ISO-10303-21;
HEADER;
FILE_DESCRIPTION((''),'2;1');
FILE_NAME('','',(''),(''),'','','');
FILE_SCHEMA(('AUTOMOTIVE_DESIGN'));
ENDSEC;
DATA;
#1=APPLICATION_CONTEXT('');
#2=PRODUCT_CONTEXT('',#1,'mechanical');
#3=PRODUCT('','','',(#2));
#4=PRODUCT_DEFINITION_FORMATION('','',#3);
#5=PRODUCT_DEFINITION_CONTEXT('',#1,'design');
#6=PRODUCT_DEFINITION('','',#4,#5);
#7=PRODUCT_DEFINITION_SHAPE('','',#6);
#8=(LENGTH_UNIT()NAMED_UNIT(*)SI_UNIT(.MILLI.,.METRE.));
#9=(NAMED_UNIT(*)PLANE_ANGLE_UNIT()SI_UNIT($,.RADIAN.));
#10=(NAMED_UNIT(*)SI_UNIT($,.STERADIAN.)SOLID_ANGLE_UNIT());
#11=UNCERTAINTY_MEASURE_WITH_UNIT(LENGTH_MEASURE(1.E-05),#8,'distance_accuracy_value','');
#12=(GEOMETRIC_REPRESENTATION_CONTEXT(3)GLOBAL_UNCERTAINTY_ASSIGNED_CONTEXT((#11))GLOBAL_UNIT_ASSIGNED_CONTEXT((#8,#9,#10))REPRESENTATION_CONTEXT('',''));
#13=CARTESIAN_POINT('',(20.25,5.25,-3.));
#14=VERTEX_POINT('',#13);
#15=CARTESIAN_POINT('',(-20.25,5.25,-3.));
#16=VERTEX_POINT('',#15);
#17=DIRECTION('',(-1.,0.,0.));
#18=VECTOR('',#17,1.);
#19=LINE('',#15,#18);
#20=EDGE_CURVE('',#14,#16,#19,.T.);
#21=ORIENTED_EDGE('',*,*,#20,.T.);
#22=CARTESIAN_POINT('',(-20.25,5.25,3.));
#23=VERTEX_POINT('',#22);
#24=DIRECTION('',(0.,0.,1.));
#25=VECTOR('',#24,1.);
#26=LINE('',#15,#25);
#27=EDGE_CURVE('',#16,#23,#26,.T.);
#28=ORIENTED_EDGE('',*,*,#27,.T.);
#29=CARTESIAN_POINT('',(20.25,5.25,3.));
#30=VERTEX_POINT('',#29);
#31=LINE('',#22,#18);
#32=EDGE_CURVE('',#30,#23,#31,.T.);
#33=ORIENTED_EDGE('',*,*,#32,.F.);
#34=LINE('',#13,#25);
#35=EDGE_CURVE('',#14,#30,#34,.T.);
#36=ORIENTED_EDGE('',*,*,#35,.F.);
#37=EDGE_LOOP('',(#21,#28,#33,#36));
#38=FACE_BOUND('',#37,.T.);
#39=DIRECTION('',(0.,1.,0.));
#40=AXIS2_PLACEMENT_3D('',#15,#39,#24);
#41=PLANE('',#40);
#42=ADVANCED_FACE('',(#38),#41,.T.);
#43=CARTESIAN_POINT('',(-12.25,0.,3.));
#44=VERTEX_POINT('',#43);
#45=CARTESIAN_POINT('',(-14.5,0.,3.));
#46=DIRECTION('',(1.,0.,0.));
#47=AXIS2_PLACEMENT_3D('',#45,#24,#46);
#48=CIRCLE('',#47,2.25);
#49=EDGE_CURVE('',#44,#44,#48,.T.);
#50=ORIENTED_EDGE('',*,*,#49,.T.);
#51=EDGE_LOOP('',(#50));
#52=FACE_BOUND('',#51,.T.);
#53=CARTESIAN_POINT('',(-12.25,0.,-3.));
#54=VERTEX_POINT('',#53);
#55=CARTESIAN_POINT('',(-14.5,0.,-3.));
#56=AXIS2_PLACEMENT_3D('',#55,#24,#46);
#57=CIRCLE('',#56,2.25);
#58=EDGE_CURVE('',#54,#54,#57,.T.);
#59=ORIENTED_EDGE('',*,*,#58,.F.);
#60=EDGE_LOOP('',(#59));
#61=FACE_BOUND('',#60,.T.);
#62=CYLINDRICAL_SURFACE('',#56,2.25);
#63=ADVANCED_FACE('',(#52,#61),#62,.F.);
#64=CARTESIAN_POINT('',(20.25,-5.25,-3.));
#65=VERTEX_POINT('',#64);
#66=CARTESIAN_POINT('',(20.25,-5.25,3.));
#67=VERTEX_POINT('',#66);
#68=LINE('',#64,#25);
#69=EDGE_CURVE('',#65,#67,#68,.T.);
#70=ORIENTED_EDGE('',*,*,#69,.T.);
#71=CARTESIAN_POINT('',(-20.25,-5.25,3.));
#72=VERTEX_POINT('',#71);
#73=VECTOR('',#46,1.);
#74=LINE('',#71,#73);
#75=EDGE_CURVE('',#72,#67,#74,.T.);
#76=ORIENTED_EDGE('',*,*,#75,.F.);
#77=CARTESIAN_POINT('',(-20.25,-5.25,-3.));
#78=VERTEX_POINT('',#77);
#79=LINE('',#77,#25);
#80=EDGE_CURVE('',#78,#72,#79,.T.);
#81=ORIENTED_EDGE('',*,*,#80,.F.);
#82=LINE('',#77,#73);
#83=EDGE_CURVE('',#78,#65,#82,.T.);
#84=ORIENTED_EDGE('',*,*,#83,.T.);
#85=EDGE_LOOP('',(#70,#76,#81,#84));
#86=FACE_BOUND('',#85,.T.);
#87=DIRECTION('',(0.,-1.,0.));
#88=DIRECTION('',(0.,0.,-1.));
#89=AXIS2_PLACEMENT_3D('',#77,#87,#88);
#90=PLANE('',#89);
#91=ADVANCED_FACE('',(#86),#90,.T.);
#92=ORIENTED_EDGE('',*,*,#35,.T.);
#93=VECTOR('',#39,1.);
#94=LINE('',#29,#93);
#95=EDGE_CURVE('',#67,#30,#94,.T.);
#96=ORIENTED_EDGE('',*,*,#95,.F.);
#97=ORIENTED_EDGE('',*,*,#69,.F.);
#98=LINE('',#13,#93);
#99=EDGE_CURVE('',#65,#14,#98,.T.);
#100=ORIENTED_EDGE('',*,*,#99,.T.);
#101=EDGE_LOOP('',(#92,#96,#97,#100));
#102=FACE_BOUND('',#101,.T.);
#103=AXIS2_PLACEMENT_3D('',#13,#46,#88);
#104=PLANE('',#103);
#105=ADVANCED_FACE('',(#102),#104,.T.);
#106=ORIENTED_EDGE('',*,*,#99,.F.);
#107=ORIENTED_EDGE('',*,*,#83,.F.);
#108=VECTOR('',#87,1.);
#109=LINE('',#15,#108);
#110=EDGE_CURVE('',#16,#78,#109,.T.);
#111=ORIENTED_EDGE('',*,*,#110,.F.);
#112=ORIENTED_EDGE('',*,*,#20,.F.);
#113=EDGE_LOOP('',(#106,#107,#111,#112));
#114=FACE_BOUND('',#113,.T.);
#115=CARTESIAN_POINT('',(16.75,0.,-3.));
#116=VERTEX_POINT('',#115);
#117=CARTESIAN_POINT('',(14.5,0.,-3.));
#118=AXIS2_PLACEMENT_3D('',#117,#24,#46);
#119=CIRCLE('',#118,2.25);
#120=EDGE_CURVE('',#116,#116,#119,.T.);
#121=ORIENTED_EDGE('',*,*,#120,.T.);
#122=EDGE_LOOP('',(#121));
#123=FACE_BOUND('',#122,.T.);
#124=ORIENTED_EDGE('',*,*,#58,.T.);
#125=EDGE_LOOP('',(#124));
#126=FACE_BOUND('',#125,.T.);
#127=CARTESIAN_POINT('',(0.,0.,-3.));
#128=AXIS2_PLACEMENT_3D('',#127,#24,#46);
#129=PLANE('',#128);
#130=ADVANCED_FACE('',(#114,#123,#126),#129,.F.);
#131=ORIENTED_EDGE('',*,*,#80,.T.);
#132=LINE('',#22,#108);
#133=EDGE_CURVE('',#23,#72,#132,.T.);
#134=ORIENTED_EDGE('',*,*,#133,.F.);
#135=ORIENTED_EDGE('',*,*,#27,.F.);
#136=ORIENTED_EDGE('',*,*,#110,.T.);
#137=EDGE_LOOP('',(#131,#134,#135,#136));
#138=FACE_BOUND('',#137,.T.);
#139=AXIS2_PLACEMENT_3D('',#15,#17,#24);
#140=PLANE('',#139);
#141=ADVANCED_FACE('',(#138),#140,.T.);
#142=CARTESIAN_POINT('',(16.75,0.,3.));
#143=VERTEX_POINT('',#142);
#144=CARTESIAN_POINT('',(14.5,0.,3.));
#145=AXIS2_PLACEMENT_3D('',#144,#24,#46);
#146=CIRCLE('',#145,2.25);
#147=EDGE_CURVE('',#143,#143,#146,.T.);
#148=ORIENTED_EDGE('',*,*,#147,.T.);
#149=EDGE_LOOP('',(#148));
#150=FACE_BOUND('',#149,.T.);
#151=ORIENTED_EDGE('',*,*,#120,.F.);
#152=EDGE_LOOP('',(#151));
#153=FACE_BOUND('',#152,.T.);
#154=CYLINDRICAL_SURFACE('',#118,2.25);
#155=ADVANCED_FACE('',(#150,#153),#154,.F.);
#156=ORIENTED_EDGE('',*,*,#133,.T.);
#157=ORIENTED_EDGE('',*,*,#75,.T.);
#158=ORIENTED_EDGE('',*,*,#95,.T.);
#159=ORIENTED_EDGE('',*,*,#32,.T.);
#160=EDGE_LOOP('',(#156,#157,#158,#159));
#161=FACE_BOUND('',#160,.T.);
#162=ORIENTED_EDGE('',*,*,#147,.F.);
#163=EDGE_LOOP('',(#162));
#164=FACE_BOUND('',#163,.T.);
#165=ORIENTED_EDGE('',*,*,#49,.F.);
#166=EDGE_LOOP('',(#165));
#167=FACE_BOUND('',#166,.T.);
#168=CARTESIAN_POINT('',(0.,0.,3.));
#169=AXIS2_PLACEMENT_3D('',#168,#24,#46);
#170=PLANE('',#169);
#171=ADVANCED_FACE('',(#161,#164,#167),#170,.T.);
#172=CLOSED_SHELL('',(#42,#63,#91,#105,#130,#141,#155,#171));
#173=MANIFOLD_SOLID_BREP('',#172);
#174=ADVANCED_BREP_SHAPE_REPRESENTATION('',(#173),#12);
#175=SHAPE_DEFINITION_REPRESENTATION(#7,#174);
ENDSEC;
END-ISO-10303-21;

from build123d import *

# Parameters (mm, degrees)
BOSS_EXTRUDE1_DEPTH      = 3
BOSS_EXTRUDE1_DEPTH_BACK = 3
SKETCH1_W                = 40.5
SKETCH1_H                = 10.5
SKETCH1_R                = 2.25


with BuildPart() as part:
    # Sketch1 → Boss-Extrude1 (new, two sides: drawn at the far end of the back side and taken through both)
    with BuildSketch(Plane.XY.offset(-BOSS_EXTRUDE1_DEPTH_BACK)):
        Rectangle(SKETCH1_W, SKETCH1_H)
        with Locations((-14.5, 0)):
            Circle(SKETCH1_R, mode=Mode.SUBTRACT)
        with Locations((14.5, 0)):
            Circle(SKETCH1_R, mode=Mode.SUBTRACT)
    extrude(amount=BOSS_EXTRUDE1_DEPTH + BOSS_EXTRUDE1_DEPTH_BACK)


solid = part.part
